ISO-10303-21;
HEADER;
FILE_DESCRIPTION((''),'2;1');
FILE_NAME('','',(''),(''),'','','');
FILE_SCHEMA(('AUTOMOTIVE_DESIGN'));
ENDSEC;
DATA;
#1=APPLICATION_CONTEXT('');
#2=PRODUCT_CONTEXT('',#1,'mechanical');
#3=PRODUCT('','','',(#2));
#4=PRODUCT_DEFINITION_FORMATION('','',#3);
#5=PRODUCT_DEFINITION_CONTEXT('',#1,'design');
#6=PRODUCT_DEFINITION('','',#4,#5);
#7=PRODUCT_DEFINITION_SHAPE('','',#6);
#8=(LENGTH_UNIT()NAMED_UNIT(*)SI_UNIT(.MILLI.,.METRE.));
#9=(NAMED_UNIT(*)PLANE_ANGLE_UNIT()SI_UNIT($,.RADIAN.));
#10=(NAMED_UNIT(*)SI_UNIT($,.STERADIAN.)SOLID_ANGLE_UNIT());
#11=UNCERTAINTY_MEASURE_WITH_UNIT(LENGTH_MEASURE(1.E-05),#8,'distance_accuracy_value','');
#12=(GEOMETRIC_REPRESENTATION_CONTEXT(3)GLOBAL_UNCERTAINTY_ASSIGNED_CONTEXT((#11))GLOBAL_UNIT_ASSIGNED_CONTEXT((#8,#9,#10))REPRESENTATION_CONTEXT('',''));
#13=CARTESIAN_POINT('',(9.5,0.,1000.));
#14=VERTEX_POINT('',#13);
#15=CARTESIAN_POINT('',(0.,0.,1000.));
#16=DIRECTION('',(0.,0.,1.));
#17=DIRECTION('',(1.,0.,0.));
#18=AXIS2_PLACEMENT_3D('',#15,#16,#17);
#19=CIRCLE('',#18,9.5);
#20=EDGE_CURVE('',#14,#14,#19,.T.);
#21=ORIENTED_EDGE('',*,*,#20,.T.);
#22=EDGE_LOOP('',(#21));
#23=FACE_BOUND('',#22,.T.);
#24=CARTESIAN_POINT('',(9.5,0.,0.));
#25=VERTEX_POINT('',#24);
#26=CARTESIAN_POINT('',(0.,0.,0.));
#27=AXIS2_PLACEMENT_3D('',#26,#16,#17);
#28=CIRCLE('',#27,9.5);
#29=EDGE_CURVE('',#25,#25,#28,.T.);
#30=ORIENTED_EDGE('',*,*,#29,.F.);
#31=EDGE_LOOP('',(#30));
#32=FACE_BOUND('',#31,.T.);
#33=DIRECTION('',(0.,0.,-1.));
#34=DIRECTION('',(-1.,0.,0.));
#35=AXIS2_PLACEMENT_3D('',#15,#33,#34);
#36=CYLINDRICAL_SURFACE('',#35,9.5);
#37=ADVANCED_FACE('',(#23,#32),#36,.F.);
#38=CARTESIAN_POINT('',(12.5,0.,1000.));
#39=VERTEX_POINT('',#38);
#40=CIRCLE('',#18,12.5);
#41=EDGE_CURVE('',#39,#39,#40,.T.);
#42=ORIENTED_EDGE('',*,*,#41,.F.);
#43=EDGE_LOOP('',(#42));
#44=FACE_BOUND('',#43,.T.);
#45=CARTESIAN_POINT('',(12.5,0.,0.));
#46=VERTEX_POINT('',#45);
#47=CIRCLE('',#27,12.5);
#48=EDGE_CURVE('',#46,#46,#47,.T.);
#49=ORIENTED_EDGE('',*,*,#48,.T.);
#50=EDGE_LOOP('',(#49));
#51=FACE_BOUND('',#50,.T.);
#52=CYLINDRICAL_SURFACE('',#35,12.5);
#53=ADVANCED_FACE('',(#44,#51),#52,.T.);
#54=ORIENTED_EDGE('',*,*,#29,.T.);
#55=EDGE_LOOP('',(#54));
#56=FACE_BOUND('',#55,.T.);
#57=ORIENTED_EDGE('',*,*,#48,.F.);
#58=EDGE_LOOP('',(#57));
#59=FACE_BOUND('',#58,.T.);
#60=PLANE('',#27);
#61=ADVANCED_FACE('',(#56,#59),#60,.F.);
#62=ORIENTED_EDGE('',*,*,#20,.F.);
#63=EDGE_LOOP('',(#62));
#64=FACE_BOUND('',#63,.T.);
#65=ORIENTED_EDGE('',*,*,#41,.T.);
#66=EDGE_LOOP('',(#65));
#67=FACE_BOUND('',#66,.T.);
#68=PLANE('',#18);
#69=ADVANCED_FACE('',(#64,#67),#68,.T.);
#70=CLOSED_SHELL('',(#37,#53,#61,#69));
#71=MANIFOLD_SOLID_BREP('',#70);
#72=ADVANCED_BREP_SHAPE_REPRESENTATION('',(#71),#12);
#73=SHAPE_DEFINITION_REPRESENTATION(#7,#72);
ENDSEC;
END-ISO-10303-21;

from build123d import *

# Parameters (mm, degrees)
ESQUISSE1_R        = 12.5
ESQUISSE1_R_2      = 9.5
BOSS_EXTRU_2_DEPTH = 1000


with BuildPart() as part:
    # Esquisse1 → Boss.-Extru.2 (new body)
    with BuildSketch(Plane.XY):
        Circle(ESQUISSE1_R)
        Circle(ESQUISSE1_R_2, mode=Mode.SUBTRACT)
    extrude(amount=BOSS_EXTRU_2_DEPTH)


solid = part.part
